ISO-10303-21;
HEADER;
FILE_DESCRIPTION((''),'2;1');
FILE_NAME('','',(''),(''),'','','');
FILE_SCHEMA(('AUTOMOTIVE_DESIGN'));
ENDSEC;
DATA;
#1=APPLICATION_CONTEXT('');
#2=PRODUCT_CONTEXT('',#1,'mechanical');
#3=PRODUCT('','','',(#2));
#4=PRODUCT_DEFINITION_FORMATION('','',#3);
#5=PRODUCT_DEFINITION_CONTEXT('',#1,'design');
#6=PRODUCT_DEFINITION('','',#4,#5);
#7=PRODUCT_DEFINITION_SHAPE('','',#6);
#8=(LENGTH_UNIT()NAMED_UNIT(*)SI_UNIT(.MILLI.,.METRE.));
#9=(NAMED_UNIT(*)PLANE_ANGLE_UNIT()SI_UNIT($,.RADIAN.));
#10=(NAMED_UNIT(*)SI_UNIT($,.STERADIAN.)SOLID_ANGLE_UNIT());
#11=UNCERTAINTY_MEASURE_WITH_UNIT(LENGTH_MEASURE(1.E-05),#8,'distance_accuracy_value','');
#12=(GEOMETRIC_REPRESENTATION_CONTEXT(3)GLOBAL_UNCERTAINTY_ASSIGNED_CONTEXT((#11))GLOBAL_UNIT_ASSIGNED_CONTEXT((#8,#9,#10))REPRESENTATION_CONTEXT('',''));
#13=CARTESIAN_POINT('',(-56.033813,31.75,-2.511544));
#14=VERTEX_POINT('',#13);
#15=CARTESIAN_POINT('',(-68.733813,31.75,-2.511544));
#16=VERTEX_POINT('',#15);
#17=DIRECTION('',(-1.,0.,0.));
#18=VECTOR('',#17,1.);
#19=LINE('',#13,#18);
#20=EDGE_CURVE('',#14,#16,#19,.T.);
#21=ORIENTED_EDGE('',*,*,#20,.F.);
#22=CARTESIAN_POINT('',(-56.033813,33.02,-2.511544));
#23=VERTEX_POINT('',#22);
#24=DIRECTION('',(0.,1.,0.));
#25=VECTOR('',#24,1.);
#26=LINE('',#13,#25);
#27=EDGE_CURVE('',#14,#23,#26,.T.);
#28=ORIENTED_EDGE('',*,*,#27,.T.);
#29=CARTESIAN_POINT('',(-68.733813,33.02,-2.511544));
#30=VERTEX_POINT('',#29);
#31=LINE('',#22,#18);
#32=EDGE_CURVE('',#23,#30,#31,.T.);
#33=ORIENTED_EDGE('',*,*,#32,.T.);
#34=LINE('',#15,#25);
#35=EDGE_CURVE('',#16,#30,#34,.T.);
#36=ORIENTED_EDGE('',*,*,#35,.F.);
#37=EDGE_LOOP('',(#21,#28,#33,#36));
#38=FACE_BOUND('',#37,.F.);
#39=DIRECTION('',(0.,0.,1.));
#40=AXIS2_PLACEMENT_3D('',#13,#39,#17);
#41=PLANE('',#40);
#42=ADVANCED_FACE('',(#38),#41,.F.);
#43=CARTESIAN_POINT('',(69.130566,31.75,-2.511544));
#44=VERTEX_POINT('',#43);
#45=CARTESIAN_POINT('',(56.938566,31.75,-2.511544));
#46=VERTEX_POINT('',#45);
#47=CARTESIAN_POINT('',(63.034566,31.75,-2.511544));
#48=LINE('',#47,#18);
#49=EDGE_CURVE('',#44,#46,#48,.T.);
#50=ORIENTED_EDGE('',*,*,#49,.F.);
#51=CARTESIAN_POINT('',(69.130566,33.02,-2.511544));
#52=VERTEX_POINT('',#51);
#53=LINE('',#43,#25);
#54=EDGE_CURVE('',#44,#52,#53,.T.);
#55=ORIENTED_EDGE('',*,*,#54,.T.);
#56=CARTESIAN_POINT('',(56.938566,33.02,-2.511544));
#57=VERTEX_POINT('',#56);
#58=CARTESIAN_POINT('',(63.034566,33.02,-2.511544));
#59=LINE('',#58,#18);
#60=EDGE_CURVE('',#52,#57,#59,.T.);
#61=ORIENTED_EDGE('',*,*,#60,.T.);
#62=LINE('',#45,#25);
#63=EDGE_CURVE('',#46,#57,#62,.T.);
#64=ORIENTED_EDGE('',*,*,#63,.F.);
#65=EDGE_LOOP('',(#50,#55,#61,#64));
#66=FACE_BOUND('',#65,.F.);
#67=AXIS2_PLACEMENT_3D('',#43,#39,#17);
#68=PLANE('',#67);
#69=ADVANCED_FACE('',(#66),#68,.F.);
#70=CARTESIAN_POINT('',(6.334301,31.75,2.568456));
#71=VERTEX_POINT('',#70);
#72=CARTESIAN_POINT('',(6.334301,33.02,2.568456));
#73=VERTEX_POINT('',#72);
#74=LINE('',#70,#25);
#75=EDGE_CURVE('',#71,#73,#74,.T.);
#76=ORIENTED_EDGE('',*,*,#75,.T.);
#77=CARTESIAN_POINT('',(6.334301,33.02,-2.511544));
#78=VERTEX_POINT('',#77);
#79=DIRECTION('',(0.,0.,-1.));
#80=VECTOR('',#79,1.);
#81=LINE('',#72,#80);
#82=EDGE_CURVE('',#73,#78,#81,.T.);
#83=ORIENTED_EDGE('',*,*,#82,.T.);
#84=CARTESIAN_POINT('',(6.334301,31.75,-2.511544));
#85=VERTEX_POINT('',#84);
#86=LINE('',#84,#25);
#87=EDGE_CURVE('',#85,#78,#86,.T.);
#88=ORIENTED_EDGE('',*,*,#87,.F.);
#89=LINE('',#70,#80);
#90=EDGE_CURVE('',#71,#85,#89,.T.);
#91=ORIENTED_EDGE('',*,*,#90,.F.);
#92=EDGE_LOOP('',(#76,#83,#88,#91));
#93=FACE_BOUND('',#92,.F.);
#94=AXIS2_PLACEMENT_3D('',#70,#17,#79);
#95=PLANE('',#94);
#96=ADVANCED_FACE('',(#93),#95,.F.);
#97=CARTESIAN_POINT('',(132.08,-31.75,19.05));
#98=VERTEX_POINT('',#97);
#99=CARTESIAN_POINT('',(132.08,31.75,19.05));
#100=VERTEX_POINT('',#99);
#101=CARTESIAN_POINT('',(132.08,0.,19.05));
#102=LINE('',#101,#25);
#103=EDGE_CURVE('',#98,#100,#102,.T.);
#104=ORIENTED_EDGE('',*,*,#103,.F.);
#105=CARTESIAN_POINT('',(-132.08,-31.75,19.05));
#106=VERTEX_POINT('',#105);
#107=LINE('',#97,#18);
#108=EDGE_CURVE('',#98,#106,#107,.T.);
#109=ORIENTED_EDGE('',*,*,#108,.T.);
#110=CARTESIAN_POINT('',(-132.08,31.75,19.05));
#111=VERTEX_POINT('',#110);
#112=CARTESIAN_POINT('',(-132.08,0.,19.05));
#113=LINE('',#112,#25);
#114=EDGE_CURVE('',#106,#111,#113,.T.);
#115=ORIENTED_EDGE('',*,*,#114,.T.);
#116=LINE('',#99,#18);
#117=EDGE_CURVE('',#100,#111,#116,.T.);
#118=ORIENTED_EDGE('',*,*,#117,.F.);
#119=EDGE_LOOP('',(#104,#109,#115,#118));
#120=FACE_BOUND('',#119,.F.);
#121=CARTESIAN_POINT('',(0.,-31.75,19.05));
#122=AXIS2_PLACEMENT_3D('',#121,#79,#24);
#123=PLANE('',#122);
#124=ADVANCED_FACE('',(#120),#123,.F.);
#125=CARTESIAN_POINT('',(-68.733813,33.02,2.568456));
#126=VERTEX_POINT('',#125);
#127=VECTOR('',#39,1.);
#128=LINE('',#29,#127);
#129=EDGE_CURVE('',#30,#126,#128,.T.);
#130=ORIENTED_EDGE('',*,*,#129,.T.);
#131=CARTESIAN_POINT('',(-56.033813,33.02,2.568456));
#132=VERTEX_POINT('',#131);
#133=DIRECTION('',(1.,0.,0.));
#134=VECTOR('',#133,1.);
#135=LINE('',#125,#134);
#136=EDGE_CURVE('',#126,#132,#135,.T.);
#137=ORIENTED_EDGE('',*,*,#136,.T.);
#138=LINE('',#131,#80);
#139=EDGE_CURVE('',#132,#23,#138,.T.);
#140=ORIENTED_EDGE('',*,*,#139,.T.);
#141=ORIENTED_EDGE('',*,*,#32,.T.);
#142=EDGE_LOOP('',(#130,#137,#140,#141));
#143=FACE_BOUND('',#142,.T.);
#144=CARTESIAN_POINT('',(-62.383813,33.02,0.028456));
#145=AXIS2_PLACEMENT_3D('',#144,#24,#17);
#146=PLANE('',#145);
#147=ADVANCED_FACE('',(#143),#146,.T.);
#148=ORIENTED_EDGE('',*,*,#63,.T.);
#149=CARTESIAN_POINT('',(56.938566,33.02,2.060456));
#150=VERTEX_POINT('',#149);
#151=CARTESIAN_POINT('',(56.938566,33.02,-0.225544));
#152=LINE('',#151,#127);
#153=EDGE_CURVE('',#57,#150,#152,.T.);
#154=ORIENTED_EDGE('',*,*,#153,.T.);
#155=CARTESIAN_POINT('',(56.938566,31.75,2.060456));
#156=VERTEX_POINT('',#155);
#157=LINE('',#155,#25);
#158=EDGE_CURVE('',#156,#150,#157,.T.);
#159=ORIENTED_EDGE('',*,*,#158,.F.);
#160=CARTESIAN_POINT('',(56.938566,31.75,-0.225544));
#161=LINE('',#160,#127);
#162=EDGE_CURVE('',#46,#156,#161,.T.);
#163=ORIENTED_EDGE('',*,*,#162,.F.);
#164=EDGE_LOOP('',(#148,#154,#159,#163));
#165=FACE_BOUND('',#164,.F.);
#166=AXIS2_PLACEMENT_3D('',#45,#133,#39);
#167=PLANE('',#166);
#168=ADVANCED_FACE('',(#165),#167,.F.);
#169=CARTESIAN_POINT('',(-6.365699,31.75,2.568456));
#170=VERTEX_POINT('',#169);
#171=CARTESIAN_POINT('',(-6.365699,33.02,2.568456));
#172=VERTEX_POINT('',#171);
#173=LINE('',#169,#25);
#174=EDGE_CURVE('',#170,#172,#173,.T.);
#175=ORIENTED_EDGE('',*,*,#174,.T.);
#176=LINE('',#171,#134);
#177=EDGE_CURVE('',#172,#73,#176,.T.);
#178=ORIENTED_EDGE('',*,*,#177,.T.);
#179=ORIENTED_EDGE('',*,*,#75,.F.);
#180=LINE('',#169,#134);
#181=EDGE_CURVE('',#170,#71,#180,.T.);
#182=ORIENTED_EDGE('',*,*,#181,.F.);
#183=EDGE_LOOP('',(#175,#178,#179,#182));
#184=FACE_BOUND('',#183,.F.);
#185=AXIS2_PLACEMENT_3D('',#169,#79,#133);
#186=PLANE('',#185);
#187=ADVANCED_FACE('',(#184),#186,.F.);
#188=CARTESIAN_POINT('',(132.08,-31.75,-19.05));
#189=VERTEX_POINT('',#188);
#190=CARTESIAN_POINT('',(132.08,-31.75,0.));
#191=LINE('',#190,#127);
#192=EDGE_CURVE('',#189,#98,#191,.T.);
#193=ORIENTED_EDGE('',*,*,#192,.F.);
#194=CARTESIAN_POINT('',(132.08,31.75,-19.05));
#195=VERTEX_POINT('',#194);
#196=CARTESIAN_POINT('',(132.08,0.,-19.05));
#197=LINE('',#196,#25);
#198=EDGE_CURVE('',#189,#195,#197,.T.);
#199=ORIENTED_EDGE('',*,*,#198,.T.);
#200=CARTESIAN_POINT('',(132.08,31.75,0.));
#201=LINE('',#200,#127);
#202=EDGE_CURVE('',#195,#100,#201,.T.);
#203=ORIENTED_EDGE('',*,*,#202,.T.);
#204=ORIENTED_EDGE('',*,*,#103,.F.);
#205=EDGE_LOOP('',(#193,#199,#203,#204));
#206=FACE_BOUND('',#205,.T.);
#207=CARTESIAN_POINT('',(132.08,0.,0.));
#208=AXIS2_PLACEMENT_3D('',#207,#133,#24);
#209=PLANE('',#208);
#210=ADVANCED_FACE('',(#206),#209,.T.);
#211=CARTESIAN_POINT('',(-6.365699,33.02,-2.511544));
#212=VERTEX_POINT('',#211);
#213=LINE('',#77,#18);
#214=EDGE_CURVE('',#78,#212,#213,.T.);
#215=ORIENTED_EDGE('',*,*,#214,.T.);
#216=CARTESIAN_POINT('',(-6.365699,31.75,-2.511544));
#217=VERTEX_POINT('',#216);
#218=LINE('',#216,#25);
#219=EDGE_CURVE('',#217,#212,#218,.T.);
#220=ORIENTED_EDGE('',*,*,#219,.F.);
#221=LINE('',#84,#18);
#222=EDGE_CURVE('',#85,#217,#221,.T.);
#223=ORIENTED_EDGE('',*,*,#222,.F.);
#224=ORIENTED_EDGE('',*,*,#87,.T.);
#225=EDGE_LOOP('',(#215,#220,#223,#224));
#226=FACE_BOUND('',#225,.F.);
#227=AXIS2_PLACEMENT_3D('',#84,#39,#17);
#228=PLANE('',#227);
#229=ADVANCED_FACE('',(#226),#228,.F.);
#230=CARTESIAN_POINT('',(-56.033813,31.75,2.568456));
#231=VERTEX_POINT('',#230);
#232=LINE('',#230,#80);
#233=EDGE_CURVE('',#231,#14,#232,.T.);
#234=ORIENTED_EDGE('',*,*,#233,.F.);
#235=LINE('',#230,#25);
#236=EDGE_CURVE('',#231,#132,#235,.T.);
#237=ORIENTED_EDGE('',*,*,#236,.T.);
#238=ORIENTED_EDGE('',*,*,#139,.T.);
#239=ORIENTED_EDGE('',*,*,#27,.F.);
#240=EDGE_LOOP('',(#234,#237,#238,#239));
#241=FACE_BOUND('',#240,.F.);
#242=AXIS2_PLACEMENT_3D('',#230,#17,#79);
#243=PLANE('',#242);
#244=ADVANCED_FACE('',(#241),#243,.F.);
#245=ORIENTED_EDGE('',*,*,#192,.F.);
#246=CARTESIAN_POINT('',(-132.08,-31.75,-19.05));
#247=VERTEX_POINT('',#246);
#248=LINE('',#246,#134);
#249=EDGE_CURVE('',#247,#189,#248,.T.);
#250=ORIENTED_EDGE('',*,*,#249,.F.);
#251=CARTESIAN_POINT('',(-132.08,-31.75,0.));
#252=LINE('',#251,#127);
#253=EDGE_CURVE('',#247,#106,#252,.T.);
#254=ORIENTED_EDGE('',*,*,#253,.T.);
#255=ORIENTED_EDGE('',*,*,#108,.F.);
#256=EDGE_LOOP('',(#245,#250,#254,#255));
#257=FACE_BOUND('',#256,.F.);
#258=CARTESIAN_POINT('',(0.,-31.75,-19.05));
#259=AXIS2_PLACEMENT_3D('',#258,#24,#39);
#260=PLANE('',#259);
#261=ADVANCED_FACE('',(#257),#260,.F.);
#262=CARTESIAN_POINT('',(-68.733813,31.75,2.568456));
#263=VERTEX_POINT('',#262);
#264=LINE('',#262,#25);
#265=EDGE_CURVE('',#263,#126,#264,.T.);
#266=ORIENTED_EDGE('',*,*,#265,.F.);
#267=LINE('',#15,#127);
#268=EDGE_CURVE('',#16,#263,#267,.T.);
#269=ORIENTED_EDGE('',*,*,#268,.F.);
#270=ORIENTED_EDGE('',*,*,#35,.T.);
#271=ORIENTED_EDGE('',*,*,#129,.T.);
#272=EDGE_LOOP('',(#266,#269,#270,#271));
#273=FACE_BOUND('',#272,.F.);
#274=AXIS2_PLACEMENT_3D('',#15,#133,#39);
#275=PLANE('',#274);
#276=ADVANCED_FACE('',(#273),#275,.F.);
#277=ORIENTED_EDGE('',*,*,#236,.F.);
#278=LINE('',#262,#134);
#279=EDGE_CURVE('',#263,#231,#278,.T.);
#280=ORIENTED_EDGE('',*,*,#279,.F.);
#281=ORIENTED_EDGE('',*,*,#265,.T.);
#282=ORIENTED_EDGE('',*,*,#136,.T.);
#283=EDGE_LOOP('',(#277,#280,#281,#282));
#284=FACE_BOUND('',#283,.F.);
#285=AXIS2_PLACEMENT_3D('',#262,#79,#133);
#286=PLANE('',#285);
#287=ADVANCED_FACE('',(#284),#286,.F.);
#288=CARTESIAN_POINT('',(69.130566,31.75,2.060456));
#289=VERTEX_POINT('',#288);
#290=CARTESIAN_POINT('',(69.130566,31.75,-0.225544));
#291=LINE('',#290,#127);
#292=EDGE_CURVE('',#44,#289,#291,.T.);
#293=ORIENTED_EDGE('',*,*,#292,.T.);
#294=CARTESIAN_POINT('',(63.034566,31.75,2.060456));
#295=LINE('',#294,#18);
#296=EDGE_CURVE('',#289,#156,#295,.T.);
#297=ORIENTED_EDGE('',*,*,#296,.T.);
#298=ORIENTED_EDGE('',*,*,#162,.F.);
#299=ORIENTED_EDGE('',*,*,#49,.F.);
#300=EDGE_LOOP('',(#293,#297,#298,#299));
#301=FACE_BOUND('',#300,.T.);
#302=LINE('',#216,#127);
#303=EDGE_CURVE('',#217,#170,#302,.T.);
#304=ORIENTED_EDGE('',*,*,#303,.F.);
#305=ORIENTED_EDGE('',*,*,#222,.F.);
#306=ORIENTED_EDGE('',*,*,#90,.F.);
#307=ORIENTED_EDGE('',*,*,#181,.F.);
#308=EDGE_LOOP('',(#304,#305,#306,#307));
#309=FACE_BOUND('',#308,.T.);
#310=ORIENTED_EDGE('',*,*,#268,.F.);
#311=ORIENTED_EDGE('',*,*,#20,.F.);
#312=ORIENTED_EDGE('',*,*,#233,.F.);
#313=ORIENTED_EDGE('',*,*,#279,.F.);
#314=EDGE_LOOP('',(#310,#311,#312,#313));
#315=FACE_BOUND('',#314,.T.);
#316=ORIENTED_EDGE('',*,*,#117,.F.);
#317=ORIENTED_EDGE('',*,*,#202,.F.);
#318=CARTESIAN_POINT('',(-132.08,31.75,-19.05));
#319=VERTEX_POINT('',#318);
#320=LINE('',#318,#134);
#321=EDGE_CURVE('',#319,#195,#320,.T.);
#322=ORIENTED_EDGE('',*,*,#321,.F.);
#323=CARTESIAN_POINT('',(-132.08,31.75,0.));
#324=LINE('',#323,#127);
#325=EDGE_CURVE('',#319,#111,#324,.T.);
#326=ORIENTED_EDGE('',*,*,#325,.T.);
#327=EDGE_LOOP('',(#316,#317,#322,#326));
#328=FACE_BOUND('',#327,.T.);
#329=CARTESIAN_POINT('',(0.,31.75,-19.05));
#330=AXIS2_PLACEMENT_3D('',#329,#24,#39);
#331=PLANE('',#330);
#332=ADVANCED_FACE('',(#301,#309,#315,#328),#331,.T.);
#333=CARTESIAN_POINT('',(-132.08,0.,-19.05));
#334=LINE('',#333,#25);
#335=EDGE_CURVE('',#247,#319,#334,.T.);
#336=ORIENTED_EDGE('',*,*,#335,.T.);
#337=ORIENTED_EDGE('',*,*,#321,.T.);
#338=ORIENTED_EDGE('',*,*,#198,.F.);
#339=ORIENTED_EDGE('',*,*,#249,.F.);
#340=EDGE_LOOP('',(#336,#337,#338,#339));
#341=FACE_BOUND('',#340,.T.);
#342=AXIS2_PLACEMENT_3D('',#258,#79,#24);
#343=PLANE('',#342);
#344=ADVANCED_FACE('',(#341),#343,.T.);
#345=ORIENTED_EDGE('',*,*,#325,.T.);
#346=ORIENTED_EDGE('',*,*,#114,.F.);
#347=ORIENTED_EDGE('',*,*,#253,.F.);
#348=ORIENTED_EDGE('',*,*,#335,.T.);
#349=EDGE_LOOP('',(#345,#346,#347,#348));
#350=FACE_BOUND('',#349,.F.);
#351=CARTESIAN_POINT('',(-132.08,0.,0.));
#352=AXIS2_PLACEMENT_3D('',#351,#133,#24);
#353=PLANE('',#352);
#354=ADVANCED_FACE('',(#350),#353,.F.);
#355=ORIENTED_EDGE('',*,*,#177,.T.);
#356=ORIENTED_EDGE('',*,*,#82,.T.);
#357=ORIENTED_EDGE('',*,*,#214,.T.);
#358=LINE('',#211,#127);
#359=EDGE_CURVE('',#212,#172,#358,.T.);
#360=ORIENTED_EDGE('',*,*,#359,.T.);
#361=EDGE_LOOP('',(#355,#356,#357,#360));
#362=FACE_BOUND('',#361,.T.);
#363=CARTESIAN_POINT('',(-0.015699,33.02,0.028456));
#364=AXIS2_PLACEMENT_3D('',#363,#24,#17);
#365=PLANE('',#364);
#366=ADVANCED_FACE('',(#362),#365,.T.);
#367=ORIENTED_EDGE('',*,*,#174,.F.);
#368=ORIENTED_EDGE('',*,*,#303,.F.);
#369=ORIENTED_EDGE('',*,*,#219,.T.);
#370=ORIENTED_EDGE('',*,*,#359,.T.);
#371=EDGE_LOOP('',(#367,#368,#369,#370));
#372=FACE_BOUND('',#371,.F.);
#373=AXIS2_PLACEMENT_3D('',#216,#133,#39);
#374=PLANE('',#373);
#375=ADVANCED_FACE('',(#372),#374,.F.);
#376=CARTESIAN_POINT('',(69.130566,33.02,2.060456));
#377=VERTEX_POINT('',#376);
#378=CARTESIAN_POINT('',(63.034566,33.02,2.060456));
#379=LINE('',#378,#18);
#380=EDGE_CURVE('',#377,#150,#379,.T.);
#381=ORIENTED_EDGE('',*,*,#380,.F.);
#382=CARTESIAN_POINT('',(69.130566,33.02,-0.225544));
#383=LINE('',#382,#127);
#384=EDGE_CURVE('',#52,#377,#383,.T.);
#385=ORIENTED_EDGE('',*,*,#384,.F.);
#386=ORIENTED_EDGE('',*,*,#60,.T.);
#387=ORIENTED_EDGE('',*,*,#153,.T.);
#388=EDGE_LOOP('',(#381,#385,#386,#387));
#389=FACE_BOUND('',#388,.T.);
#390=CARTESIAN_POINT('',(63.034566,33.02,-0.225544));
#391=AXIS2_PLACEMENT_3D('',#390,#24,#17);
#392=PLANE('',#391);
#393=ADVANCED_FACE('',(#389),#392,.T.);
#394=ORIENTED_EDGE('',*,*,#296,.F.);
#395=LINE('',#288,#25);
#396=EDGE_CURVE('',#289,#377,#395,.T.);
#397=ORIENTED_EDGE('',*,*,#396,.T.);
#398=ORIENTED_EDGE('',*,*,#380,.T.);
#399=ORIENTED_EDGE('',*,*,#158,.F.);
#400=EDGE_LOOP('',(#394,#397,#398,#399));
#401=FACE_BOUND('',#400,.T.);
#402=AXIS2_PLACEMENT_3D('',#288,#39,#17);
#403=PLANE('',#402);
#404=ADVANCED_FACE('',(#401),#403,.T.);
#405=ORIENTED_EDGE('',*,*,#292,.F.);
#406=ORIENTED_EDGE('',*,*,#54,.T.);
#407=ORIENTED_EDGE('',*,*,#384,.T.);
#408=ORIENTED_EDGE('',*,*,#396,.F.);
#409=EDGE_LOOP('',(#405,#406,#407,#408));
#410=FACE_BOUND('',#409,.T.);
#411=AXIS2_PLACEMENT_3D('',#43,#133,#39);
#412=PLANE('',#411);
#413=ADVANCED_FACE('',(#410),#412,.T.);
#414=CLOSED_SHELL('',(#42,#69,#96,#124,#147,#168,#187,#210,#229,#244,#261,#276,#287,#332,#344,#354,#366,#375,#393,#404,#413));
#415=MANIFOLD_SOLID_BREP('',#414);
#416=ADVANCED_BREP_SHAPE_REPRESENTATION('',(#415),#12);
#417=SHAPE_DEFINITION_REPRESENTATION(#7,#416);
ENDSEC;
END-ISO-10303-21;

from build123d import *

# Parameters (mm, degrees)
F0_W     = 63.5
F0_H     = 38.1
F1_DEPTH = 132.08
F2_W     = 12.192
F2_H     = 4.572
F3_DEPTH = 1.27


with BuildPart() as f1:
    # F0 (on Right) → F1 (new body, symmetric)
    with BuildSketch(Plane.YZ):
        Rectangle(F0_W, F0_H)
    extrude(amount=F1_DEPTH, both=True)

    # F2 (on face) → F3 (join)
    with BuildSketch(Plane(origin=(0, 31.75, 0), x_dir=(-1, 0, 0), z_dir=(0, 1, 0))):
        with Locations((-63.034566, -0.225544)):
            Rectangle(F2_W, F2_H)
        Polygon((-6.334301, 2.060456), (-6.334301, -2.511544), (6.365699, -2.511544), (6.365699, 2.568456), (5.857699, 2.568456), (-6.334301, 2.568456), align=None)
        Polygon((68.733813, -2.511544), (68.733813, 2.568456), (68.225813, 2.568456), (56.033813, 2.568456), (56.033813, 2.060456), (56.033813, -2.511544), align=None)
    extrude(amount=F3_DEPTH)


solid = f1.part
